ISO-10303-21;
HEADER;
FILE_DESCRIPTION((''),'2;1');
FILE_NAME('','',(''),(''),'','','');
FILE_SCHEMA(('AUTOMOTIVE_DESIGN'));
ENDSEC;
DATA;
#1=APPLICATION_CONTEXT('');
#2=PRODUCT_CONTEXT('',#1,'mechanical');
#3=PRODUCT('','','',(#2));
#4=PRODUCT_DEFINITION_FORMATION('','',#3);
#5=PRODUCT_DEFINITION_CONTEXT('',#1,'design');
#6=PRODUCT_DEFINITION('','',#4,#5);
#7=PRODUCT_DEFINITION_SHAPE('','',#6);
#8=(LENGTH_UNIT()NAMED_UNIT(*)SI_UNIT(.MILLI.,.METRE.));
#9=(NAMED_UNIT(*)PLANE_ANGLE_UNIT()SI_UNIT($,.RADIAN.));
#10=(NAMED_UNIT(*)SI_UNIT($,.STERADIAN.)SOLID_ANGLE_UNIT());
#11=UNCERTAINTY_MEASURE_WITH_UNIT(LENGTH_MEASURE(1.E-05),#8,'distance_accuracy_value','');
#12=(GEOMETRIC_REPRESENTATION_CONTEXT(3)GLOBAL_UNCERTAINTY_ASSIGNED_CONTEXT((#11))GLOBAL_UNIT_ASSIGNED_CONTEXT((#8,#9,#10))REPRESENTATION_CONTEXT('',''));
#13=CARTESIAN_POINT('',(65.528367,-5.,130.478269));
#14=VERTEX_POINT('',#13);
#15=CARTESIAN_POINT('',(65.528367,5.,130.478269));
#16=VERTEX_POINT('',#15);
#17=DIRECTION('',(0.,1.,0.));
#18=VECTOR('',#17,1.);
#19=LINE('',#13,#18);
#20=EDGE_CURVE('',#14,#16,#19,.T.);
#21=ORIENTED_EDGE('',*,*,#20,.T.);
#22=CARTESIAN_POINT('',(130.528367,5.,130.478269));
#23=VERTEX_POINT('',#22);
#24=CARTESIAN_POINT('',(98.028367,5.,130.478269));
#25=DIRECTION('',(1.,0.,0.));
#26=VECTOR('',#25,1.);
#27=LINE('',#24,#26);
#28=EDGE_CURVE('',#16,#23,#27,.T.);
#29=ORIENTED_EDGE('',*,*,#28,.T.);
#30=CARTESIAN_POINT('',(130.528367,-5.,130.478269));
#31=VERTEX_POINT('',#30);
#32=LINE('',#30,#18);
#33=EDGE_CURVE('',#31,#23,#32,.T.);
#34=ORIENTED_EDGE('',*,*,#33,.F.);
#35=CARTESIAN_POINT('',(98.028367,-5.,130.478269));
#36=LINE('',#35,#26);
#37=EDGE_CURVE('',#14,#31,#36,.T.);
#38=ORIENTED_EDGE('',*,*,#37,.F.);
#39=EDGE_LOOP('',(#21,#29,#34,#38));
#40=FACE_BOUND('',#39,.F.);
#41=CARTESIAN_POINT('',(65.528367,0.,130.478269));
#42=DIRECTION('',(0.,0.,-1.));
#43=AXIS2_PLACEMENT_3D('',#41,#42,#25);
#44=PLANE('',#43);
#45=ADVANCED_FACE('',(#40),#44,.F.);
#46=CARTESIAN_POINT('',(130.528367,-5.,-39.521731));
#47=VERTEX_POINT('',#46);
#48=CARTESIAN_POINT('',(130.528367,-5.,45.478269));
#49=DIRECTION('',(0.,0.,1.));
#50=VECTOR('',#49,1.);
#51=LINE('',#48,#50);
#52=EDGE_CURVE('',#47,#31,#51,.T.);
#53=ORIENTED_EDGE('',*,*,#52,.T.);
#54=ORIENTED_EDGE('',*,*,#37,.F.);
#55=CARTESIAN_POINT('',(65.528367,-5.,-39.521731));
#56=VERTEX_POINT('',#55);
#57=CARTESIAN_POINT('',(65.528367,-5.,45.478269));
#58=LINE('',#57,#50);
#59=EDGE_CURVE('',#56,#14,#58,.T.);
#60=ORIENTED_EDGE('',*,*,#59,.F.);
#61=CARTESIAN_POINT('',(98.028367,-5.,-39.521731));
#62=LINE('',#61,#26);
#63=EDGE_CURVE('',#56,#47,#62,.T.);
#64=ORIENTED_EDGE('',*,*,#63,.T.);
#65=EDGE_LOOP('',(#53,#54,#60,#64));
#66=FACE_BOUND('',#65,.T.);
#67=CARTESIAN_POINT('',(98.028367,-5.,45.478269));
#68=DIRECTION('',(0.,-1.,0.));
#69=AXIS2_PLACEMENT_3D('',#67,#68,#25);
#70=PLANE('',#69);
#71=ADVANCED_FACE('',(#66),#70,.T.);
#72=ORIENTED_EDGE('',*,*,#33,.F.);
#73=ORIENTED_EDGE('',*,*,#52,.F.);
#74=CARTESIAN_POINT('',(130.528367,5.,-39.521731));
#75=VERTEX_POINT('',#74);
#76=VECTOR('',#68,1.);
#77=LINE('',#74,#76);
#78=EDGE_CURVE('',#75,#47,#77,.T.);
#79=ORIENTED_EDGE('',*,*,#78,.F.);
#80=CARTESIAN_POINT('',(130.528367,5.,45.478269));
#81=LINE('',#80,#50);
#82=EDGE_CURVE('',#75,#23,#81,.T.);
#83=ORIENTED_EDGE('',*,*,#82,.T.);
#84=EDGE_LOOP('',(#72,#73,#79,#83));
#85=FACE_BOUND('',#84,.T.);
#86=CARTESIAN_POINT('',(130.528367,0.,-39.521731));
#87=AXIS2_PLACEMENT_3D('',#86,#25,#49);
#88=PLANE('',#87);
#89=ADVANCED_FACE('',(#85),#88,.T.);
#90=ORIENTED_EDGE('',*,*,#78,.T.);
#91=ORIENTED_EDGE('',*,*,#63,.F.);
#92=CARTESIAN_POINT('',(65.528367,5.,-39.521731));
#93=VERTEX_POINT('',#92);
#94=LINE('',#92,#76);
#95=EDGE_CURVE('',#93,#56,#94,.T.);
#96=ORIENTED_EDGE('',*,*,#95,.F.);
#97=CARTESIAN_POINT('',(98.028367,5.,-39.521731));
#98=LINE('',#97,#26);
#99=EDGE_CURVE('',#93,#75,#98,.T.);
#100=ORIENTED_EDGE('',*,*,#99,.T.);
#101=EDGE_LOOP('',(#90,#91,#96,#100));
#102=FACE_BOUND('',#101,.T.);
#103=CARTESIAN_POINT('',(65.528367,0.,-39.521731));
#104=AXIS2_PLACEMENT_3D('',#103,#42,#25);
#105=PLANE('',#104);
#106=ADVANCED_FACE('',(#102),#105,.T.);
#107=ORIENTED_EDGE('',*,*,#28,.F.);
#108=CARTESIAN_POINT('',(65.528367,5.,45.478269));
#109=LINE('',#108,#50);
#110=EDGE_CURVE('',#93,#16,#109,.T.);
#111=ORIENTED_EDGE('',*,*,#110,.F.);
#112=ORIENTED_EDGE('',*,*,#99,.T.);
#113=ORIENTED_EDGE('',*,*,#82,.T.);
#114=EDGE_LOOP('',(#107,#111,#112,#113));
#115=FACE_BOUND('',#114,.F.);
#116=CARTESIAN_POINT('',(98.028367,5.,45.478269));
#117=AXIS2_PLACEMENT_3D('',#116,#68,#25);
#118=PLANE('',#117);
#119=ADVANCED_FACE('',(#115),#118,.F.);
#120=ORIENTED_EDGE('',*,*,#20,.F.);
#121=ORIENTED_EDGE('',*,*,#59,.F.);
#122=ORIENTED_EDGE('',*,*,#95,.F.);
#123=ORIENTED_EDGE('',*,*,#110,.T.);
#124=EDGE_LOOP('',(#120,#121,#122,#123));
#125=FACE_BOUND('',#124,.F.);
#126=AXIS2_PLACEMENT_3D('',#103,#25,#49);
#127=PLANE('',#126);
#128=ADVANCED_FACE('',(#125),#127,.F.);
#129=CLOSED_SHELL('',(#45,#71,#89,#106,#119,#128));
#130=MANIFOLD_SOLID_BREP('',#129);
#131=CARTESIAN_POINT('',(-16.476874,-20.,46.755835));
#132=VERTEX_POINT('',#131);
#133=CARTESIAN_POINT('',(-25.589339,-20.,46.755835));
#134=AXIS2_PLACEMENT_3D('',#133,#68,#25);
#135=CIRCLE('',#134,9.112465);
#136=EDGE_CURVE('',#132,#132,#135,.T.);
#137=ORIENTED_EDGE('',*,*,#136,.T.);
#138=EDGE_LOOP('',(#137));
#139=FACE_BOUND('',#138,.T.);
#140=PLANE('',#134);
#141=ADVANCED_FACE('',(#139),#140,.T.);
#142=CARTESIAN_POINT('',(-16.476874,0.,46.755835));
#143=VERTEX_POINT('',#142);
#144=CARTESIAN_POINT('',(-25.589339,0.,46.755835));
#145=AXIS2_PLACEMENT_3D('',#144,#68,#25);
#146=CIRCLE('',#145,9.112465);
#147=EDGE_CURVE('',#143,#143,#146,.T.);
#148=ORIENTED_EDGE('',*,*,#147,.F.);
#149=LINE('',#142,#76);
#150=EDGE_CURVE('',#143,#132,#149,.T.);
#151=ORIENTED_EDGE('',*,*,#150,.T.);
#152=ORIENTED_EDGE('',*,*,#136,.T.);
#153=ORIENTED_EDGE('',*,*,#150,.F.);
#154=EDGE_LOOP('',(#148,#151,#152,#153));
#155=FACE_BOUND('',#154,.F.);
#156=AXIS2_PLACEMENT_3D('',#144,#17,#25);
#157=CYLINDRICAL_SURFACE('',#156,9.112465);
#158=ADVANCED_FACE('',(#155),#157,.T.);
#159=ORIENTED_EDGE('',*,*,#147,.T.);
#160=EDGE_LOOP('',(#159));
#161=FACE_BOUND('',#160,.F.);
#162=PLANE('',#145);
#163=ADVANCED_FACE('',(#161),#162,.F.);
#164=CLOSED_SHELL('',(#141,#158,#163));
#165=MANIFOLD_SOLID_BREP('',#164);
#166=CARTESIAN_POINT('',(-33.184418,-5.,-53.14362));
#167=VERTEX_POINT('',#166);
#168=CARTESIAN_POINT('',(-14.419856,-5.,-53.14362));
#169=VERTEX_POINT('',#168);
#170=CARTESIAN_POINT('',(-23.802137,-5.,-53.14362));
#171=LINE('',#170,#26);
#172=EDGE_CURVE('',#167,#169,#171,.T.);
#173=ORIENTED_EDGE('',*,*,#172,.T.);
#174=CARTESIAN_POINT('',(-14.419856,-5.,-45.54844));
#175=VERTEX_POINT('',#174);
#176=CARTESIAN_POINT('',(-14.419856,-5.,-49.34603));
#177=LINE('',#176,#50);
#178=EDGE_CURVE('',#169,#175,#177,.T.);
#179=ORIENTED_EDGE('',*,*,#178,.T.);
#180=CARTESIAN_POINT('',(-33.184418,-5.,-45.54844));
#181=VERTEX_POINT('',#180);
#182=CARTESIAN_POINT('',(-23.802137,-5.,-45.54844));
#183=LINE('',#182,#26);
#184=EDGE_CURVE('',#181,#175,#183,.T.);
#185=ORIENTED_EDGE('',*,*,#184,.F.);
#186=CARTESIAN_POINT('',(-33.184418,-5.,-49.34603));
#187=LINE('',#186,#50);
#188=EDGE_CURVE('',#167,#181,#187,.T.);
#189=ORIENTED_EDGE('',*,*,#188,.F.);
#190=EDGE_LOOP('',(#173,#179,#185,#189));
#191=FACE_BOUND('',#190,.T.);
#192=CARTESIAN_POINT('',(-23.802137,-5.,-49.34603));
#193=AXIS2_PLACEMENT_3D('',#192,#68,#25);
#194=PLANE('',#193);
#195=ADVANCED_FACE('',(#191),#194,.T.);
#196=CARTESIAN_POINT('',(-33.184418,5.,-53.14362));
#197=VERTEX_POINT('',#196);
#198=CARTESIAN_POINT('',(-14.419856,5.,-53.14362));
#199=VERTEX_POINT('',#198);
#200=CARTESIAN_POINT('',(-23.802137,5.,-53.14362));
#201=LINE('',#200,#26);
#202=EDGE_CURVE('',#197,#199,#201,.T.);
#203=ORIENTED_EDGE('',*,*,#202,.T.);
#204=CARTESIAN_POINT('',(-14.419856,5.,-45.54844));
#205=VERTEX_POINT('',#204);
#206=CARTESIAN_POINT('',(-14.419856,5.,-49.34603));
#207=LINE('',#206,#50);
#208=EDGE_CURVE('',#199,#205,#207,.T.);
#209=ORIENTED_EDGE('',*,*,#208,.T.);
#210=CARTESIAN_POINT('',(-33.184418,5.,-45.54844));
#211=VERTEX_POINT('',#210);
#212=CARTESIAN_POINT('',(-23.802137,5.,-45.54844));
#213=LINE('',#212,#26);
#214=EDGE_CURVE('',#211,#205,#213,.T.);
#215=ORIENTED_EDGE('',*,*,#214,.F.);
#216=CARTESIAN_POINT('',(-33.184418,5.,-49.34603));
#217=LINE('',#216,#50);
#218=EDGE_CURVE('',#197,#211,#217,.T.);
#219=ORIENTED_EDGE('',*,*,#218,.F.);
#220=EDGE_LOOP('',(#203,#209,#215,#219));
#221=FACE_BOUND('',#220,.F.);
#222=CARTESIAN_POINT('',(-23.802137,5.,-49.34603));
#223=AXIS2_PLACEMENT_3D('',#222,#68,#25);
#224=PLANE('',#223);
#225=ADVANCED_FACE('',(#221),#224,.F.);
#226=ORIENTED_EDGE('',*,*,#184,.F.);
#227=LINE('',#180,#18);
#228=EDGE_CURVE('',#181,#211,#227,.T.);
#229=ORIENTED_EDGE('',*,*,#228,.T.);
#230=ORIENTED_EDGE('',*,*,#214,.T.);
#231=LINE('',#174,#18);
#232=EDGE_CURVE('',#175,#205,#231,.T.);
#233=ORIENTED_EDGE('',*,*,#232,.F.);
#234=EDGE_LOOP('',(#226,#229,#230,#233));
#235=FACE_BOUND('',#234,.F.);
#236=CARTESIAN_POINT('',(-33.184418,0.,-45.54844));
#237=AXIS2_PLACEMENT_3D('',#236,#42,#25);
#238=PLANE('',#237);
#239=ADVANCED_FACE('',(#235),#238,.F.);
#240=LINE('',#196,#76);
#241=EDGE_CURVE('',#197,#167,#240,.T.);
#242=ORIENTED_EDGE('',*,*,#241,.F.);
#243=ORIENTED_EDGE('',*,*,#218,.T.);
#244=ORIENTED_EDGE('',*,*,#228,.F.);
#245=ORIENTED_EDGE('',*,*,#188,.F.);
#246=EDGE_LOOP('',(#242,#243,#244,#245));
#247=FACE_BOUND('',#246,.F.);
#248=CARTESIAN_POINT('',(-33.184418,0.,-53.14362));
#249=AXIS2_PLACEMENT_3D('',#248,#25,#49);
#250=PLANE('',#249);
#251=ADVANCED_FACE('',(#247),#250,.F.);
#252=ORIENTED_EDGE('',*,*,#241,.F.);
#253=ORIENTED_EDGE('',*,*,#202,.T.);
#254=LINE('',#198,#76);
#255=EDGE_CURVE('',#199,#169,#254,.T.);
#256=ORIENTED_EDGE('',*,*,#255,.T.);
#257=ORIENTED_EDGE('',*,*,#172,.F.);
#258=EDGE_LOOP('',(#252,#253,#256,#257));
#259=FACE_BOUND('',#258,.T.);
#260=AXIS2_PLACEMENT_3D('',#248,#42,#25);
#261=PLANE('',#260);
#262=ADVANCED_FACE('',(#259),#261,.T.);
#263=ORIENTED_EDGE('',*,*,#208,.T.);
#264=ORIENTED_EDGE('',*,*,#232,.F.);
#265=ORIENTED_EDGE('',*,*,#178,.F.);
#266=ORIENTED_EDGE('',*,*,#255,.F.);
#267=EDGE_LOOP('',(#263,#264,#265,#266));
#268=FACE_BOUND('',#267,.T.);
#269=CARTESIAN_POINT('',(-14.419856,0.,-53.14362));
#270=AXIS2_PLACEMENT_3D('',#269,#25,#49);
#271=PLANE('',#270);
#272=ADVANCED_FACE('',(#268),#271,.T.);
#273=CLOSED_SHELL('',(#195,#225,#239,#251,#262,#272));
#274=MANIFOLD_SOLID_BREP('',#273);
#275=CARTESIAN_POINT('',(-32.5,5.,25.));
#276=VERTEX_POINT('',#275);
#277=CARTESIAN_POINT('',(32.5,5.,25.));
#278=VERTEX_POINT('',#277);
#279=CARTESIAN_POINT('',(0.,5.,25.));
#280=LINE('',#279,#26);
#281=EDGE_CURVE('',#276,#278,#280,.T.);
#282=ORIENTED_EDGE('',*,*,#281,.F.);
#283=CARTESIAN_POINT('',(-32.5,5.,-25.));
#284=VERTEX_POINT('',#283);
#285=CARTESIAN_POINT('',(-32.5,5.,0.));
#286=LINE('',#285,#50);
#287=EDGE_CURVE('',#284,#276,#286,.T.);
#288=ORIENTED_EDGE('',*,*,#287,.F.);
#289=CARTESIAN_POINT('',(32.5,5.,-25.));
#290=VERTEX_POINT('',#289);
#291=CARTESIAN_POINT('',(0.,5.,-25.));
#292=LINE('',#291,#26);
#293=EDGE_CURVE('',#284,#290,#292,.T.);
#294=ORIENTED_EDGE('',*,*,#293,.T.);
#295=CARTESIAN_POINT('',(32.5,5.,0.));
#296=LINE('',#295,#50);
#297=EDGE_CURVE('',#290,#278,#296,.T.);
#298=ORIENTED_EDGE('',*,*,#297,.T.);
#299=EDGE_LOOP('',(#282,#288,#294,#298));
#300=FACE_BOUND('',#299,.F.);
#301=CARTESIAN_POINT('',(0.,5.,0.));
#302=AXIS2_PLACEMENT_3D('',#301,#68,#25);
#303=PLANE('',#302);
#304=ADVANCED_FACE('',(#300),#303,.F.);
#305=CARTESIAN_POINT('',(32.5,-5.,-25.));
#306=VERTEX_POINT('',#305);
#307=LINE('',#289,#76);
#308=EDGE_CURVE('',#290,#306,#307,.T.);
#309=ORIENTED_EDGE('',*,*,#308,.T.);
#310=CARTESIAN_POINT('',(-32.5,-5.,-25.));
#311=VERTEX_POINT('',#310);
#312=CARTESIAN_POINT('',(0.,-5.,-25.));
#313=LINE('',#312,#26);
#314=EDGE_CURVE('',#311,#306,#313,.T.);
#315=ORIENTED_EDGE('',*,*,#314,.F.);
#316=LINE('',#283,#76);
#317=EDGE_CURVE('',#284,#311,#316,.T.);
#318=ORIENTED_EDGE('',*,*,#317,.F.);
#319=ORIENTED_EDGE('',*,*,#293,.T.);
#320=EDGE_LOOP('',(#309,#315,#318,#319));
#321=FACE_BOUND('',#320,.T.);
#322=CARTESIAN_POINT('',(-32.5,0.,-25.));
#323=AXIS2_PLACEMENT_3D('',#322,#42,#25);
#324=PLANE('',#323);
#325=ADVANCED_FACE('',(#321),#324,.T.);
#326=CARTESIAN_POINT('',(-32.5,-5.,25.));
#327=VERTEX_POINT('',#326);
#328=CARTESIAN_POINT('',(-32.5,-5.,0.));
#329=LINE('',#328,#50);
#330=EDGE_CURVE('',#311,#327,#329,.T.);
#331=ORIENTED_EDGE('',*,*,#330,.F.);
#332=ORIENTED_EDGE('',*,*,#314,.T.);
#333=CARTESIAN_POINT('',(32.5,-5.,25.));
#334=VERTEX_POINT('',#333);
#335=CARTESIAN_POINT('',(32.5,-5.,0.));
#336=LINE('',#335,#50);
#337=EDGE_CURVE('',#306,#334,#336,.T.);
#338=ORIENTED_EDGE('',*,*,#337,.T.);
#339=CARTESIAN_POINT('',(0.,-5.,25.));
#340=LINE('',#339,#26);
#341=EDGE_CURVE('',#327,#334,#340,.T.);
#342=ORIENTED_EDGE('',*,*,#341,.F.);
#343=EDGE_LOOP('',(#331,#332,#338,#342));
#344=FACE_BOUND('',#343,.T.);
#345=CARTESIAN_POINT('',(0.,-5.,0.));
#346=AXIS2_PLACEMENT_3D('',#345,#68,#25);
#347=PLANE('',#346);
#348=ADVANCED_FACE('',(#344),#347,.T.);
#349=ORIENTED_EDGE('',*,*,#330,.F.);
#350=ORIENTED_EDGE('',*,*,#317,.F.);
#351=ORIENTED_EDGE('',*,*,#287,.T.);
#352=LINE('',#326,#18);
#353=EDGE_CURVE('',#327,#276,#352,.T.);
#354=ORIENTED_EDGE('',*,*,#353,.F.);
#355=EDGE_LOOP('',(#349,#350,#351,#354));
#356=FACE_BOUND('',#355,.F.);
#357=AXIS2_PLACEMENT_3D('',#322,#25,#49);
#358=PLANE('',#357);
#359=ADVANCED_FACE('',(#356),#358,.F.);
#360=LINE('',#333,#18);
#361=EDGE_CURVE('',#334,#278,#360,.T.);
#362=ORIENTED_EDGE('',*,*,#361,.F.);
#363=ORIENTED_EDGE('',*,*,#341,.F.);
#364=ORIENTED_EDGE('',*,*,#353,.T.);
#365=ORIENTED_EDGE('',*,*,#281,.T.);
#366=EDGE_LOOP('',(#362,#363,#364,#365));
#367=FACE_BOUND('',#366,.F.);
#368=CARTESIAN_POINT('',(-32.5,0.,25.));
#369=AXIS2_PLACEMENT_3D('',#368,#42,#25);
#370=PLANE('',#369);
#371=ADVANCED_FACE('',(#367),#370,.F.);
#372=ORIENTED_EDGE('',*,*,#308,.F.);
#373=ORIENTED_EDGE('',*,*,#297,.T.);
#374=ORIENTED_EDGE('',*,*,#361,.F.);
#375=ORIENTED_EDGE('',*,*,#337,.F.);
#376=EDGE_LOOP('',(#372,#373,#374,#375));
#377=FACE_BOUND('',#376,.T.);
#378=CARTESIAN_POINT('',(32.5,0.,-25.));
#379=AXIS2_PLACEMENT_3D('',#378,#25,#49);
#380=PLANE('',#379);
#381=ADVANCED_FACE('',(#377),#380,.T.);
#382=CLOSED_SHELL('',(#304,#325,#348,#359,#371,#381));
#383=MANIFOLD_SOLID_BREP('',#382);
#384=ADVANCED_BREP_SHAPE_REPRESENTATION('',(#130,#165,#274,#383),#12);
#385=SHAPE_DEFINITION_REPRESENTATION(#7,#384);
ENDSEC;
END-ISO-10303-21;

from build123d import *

# Parameters (mm, degrees)
F0_W     = 65
F0_H     = 50
F1_DEPTH = 5
F2_W     = 65
F2_H     = 170
F3_DEPTH = 5
F4_R     = 9.112465
F5_DEPTH = 20
F6_W     = 18.764562
F6_H     = 7.595181
F7_DEPTH = 5


with BuildPart() as f1:
    # F0 (on Front) → F1 (new body, symmetric)
    with BuildSketch(Plane.XZ):
        Rectangle(F0_W, F0_H)
    extrude(amount=F1_DEPTH, both=True)


with BuildPart() as f3:
    # F2 (on Front) → F3 (new body, symmetric)
    with BuildSketch(Plane.XZ):
        with Locations((98.028367, 45.478269)):
            Rectangle(F2_W, F2_H)
    extrude(amount=F3_DEPTH, both=True)


with BuildPart() as f5:
    # F4 (on Front) → F5 (new body)
    with BuildSketch(Plane.XZ):
        with Locations((-25.589339, 46.755835)):
            Circle(F4_R)
    extrude(amount=F5_DEPTH)


with BuildPart() as f7:
    # F6 (on Front) → F7 (new body, symmetric)
    with BuildSketch(Plane.XZ):
        with Locations((-23.802137, -49.34603)):
            Rectangle(F6_W, F6_H)
    extrude(amount=F7_DEPTH, both=True)


solid = Compound([f1.part, f3.part, f5.part, f7.part])
